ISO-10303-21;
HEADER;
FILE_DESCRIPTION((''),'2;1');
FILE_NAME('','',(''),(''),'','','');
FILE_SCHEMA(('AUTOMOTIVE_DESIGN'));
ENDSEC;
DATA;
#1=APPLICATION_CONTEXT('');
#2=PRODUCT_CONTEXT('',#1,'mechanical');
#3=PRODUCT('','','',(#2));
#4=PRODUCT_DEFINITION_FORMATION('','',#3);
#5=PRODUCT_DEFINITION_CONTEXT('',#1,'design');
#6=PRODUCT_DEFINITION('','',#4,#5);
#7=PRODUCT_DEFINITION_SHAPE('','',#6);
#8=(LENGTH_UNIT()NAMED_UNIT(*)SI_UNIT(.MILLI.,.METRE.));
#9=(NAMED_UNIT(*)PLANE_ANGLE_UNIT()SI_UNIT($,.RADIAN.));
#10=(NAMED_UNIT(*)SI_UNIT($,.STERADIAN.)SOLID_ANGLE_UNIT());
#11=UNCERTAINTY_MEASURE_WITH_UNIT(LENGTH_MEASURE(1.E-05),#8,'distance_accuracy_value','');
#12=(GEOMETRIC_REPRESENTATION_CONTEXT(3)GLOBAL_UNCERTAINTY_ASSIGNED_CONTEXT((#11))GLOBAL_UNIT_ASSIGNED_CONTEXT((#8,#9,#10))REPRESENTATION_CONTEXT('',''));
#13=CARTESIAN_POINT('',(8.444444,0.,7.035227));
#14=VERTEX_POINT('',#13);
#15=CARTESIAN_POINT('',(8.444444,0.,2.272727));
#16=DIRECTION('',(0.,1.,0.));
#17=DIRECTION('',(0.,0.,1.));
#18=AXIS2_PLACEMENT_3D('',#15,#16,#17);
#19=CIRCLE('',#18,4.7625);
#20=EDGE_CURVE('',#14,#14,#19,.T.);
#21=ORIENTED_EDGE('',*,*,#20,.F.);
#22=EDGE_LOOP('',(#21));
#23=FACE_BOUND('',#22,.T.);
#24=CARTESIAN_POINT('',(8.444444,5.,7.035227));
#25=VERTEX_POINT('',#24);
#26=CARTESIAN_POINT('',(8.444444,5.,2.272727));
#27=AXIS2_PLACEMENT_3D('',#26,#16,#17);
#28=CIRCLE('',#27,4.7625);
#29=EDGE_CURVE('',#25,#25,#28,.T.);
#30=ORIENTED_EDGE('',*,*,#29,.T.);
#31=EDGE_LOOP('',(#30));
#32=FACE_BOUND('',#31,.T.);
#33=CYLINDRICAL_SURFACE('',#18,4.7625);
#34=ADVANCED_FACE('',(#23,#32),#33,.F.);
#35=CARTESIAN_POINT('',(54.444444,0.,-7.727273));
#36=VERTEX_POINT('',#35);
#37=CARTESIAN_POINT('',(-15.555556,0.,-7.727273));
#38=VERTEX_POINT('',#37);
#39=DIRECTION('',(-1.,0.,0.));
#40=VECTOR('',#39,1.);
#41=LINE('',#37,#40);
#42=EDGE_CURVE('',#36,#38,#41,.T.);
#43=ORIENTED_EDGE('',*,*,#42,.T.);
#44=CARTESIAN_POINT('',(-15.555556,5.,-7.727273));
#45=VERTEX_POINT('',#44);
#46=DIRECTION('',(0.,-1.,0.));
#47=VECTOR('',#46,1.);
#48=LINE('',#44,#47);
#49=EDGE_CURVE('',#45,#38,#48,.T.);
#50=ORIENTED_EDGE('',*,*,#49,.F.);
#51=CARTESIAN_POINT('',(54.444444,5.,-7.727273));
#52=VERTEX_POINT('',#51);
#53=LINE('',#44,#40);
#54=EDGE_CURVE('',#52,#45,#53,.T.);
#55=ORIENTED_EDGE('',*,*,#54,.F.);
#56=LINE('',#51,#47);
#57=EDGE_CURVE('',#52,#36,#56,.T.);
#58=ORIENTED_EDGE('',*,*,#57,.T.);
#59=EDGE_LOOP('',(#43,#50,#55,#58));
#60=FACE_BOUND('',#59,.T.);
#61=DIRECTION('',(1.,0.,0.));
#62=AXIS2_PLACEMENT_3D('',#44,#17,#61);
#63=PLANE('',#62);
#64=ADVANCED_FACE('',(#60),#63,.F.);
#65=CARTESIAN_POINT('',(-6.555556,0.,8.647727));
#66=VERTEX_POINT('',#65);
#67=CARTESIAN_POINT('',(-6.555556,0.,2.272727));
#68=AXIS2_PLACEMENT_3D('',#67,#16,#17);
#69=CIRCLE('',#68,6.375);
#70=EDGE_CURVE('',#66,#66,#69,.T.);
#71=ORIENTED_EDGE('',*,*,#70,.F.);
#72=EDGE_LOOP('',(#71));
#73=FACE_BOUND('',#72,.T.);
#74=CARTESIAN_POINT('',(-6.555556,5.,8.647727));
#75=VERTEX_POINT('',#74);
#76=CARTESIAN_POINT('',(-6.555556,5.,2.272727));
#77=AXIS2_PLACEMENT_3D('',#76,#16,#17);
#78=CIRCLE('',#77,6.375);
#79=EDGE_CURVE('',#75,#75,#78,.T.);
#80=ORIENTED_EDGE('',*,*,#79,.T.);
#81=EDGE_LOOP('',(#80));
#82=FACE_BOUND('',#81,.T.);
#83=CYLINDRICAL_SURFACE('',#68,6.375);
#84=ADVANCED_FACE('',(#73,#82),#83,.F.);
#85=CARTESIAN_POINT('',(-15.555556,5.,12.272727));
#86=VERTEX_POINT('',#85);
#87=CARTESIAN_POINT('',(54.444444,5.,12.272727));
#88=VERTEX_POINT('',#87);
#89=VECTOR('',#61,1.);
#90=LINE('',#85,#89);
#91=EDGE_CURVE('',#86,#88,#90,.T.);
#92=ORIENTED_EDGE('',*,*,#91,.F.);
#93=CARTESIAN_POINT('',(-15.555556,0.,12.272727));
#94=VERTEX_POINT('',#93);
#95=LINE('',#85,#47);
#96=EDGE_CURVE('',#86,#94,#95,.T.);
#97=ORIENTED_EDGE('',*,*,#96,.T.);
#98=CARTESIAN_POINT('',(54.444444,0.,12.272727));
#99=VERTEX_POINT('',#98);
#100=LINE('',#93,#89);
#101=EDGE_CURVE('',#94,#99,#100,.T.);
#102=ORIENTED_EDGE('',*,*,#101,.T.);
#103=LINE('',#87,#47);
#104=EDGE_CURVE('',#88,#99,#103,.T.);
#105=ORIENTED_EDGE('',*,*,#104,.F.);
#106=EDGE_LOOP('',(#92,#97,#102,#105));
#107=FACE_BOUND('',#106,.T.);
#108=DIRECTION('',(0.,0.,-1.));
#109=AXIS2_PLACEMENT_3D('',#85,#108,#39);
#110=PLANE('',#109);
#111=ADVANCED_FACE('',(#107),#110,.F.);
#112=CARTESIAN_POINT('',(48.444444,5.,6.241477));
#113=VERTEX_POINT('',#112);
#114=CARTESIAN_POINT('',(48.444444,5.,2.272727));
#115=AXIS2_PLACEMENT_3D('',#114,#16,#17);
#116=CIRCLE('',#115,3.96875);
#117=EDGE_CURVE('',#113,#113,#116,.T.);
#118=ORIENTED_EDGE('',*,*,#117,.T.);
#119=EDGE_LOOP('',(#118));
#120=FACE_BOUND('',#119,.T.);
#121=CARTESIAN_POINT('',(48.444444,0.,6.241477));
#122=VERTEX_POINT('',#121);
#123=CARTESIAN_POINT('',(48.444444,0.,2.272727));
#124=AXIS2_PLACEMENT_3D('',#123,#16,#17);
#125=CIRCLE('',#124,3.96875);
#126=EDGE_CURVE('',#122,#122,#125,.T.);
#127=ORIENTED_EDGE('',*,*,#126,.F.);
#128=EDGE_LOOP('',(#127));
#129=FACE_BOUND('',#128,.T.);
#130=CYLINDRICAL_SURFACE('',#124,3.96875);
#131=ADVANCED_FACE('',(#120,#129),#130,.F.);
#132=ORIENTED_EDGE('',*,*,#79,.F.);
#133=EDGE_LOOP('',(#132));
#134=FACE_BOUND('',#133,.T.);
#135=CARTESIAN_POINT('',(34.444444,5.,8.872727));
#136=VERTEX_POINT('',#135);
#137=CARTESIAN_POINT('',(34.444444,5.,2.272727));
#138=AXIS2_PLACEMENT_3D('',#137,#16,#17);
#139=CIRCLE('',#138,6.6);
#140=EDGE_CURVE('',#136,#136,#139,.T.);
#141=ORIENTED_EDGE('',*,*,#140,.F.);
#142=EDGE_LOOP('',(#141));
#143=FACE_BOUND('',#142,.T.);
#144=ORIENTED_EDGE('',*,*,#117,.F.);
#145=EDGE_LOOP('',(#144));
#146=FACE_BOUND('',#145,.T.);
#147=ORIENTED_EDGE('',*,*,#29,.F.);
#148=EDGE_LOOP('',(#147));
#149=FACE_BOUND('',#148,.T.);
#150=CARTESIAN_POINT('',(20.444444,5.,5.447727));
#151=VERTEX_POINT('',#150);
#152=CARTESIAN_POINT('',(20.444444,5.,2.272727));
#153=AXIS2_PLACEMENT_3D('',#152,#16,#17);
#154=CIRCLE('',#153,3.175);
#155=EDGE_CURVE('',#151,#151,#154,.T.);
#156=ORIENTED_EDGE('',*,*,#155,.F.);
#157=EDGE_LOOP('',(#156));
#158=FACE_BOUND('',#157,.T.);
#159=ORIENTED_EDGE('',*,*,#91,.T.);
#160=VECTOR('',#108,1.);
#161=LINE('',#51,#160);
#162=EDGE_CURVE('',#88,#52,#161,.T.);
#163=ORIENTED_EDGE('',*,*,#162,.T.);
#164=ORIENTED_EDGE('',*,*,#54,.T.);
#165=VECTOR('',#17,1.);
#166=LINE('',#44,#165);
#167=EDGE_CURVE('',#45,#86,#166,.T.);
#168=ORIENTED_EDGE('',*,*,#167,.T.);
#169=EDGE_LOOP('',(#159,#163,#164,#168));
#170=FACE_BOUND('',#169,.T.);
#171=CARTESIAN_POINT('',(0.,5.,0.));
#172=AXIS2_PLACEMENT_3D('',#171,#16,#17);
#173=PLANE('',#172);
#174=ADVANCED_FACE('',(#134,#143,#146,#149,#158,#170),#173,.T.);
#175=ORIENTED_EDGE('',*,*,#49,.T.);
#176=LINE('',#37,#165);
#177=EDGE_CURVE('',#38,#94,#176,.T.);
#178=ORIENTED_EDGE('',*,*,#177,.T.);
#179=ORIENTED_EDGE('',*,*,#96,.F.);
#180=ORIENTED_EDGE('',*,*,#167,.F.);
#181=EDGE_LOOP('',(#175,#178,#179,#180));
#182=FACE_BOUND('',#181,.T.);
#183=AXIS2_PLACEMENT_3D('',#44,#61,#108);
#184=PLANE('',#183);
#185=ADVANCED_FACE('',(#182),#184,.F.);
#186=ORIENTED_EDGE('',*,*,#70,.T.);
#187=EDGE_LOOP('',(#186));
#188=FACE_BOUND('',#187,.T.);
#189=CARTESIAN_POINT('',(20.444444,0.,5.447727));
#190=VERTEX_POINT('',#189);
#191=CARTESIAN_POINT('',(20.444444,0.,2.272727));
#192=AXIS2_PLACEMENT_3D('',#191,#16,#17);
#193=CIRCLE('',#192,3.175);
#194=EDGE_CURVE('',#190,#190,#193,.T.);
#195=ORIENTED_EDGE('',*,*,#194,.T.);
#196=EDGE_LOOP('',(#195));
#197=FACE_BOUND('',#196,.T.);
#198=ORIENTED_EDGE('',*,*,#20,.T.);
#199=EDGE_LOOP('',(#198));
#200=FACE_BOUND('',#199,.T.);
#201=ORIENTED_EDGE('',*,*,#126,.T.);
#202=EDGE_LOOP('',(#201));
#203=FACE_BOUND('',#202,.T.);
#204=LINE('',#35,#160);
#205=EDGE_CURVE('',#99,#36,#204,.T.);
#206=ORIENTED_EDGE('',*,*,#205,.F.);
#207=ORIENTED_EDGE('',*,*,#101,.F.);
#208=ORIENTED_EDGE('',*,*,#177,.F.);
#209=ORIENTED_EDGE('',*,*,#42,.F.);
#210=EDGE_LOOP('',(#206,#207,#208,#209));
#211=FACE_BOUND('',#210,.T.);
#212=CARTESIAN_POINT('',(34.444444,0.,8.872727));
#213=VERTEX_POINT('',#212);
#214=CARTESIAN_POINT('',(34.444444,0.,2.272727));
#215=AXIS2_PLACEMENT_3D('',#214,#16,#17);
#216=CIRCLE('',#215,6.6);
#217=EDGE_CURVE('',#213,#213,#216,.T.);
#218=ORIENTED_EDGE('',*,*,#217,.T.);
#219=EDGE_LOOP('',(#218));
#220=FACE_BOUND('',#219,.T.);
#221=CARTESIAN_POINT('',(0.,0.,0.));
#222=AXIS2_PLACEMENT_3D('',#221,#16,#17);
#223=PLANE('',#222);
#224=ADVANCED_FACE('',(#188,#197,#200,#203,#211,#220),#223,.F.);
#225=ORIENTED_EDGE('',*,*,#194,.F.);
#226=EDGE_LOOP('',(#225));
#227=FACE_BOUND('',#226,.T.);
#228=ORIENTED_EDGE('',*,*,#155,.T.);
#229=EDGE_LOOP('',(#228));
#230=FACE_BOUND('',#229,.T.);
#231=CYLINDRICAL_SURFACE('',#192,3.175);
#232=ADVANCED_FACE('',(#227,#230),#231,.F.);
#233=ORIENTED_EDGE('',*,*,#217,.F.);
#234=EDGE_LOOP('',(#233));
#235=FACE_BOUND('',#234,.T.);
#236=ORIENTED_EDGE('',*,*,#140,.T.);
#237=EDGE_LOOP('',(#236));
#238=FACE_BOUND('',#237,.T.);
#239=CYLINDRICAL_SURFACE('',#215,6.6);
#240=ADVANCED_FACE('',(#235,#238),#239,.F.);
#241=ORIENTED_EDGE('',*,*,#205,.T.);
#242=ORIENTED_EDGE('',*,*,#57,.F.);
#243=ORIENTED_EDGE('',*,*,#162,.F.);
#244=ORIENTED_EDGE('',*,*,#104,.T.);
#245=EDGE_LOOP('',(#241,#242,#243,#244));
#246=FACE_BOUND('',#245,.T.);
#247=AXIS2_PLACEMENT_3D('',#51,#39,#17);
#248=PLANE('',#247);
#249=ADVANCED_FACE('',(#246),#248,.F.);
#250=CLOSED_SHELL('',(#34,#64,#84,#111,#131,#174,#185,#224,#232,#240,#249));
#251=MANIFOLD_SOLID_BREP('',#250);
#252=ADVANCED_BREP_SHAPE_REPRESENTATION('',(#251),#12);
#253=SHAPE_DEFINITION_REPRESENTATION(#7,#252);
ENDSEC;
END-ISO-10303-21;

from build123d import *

# Parameters (mm, degrees)
ESQUISSE1_W             = 70
ESQUISSE1_H             = 20
BOSS_EXTRU_1_DEPTH      = 5
ESQUISSE2_R             = 6.375
ESQUISSE2_R_2           = 4.7625
ESQUISSE2_R_3           = 3.175
ESQUISSE2_R_4           = 6.6
ESQUISSE2_R_5           = 3.96875
ENL_V_MAT_EXTRU_1_DEPTH = 57.034073255


with BuildPart() as part:
    # Esquisse1 → Boss.-Extru.1 (new body)
    with BuildSketch(Plane(origin=(0, 0, 0), x_dir=(1, 0, 0), z_dir=(0, 1, 0))):
        with Locations((19.444444444, -2.272727273)):
            Rectangle(ESQUISSE1_W, ESQUISSE1_H)
    extrude(amount=BOSS_EXTRU_1_DEPTH)

    # Esquisse2 → Enlèv. mat.-Extru.1 (cut, through all)
    with BuildSketch(Plane(origin=(0, 5, 0), x_dir=(1, 0, 0), z_dir=(0, 1, 0))):
        with Locations(Location((-6.555555556, -2.272727273, 0), (0, 0, 270))):
            Circle(ESQUISSE2_R)
        with Locations(Location((8.444444444, -2.272727273, 0), (0, 0, 270))):
            Circle(ESQUISSE2_R_2)
        with Locations(Location((20.444444444, -2.272727273, 0), (0, 0, 270))):
            Circle(ESQUISSE2_R_3)
        with Locations(Location((34.444444444, -2.272727273, 0), (0, 0, 270))):
            Circle(ESQUISSE2_R_4)
        with Locations(Location((48.444444444, -2.272727273, 0), (0, 0, 270))):
            Circle(ESQUISSE2_R_5)
    extrude(amount=-ENL_V_MAT_EXTRU_1_DEPTH, mode=Mode.SUBTRACT)


solid = part.part
